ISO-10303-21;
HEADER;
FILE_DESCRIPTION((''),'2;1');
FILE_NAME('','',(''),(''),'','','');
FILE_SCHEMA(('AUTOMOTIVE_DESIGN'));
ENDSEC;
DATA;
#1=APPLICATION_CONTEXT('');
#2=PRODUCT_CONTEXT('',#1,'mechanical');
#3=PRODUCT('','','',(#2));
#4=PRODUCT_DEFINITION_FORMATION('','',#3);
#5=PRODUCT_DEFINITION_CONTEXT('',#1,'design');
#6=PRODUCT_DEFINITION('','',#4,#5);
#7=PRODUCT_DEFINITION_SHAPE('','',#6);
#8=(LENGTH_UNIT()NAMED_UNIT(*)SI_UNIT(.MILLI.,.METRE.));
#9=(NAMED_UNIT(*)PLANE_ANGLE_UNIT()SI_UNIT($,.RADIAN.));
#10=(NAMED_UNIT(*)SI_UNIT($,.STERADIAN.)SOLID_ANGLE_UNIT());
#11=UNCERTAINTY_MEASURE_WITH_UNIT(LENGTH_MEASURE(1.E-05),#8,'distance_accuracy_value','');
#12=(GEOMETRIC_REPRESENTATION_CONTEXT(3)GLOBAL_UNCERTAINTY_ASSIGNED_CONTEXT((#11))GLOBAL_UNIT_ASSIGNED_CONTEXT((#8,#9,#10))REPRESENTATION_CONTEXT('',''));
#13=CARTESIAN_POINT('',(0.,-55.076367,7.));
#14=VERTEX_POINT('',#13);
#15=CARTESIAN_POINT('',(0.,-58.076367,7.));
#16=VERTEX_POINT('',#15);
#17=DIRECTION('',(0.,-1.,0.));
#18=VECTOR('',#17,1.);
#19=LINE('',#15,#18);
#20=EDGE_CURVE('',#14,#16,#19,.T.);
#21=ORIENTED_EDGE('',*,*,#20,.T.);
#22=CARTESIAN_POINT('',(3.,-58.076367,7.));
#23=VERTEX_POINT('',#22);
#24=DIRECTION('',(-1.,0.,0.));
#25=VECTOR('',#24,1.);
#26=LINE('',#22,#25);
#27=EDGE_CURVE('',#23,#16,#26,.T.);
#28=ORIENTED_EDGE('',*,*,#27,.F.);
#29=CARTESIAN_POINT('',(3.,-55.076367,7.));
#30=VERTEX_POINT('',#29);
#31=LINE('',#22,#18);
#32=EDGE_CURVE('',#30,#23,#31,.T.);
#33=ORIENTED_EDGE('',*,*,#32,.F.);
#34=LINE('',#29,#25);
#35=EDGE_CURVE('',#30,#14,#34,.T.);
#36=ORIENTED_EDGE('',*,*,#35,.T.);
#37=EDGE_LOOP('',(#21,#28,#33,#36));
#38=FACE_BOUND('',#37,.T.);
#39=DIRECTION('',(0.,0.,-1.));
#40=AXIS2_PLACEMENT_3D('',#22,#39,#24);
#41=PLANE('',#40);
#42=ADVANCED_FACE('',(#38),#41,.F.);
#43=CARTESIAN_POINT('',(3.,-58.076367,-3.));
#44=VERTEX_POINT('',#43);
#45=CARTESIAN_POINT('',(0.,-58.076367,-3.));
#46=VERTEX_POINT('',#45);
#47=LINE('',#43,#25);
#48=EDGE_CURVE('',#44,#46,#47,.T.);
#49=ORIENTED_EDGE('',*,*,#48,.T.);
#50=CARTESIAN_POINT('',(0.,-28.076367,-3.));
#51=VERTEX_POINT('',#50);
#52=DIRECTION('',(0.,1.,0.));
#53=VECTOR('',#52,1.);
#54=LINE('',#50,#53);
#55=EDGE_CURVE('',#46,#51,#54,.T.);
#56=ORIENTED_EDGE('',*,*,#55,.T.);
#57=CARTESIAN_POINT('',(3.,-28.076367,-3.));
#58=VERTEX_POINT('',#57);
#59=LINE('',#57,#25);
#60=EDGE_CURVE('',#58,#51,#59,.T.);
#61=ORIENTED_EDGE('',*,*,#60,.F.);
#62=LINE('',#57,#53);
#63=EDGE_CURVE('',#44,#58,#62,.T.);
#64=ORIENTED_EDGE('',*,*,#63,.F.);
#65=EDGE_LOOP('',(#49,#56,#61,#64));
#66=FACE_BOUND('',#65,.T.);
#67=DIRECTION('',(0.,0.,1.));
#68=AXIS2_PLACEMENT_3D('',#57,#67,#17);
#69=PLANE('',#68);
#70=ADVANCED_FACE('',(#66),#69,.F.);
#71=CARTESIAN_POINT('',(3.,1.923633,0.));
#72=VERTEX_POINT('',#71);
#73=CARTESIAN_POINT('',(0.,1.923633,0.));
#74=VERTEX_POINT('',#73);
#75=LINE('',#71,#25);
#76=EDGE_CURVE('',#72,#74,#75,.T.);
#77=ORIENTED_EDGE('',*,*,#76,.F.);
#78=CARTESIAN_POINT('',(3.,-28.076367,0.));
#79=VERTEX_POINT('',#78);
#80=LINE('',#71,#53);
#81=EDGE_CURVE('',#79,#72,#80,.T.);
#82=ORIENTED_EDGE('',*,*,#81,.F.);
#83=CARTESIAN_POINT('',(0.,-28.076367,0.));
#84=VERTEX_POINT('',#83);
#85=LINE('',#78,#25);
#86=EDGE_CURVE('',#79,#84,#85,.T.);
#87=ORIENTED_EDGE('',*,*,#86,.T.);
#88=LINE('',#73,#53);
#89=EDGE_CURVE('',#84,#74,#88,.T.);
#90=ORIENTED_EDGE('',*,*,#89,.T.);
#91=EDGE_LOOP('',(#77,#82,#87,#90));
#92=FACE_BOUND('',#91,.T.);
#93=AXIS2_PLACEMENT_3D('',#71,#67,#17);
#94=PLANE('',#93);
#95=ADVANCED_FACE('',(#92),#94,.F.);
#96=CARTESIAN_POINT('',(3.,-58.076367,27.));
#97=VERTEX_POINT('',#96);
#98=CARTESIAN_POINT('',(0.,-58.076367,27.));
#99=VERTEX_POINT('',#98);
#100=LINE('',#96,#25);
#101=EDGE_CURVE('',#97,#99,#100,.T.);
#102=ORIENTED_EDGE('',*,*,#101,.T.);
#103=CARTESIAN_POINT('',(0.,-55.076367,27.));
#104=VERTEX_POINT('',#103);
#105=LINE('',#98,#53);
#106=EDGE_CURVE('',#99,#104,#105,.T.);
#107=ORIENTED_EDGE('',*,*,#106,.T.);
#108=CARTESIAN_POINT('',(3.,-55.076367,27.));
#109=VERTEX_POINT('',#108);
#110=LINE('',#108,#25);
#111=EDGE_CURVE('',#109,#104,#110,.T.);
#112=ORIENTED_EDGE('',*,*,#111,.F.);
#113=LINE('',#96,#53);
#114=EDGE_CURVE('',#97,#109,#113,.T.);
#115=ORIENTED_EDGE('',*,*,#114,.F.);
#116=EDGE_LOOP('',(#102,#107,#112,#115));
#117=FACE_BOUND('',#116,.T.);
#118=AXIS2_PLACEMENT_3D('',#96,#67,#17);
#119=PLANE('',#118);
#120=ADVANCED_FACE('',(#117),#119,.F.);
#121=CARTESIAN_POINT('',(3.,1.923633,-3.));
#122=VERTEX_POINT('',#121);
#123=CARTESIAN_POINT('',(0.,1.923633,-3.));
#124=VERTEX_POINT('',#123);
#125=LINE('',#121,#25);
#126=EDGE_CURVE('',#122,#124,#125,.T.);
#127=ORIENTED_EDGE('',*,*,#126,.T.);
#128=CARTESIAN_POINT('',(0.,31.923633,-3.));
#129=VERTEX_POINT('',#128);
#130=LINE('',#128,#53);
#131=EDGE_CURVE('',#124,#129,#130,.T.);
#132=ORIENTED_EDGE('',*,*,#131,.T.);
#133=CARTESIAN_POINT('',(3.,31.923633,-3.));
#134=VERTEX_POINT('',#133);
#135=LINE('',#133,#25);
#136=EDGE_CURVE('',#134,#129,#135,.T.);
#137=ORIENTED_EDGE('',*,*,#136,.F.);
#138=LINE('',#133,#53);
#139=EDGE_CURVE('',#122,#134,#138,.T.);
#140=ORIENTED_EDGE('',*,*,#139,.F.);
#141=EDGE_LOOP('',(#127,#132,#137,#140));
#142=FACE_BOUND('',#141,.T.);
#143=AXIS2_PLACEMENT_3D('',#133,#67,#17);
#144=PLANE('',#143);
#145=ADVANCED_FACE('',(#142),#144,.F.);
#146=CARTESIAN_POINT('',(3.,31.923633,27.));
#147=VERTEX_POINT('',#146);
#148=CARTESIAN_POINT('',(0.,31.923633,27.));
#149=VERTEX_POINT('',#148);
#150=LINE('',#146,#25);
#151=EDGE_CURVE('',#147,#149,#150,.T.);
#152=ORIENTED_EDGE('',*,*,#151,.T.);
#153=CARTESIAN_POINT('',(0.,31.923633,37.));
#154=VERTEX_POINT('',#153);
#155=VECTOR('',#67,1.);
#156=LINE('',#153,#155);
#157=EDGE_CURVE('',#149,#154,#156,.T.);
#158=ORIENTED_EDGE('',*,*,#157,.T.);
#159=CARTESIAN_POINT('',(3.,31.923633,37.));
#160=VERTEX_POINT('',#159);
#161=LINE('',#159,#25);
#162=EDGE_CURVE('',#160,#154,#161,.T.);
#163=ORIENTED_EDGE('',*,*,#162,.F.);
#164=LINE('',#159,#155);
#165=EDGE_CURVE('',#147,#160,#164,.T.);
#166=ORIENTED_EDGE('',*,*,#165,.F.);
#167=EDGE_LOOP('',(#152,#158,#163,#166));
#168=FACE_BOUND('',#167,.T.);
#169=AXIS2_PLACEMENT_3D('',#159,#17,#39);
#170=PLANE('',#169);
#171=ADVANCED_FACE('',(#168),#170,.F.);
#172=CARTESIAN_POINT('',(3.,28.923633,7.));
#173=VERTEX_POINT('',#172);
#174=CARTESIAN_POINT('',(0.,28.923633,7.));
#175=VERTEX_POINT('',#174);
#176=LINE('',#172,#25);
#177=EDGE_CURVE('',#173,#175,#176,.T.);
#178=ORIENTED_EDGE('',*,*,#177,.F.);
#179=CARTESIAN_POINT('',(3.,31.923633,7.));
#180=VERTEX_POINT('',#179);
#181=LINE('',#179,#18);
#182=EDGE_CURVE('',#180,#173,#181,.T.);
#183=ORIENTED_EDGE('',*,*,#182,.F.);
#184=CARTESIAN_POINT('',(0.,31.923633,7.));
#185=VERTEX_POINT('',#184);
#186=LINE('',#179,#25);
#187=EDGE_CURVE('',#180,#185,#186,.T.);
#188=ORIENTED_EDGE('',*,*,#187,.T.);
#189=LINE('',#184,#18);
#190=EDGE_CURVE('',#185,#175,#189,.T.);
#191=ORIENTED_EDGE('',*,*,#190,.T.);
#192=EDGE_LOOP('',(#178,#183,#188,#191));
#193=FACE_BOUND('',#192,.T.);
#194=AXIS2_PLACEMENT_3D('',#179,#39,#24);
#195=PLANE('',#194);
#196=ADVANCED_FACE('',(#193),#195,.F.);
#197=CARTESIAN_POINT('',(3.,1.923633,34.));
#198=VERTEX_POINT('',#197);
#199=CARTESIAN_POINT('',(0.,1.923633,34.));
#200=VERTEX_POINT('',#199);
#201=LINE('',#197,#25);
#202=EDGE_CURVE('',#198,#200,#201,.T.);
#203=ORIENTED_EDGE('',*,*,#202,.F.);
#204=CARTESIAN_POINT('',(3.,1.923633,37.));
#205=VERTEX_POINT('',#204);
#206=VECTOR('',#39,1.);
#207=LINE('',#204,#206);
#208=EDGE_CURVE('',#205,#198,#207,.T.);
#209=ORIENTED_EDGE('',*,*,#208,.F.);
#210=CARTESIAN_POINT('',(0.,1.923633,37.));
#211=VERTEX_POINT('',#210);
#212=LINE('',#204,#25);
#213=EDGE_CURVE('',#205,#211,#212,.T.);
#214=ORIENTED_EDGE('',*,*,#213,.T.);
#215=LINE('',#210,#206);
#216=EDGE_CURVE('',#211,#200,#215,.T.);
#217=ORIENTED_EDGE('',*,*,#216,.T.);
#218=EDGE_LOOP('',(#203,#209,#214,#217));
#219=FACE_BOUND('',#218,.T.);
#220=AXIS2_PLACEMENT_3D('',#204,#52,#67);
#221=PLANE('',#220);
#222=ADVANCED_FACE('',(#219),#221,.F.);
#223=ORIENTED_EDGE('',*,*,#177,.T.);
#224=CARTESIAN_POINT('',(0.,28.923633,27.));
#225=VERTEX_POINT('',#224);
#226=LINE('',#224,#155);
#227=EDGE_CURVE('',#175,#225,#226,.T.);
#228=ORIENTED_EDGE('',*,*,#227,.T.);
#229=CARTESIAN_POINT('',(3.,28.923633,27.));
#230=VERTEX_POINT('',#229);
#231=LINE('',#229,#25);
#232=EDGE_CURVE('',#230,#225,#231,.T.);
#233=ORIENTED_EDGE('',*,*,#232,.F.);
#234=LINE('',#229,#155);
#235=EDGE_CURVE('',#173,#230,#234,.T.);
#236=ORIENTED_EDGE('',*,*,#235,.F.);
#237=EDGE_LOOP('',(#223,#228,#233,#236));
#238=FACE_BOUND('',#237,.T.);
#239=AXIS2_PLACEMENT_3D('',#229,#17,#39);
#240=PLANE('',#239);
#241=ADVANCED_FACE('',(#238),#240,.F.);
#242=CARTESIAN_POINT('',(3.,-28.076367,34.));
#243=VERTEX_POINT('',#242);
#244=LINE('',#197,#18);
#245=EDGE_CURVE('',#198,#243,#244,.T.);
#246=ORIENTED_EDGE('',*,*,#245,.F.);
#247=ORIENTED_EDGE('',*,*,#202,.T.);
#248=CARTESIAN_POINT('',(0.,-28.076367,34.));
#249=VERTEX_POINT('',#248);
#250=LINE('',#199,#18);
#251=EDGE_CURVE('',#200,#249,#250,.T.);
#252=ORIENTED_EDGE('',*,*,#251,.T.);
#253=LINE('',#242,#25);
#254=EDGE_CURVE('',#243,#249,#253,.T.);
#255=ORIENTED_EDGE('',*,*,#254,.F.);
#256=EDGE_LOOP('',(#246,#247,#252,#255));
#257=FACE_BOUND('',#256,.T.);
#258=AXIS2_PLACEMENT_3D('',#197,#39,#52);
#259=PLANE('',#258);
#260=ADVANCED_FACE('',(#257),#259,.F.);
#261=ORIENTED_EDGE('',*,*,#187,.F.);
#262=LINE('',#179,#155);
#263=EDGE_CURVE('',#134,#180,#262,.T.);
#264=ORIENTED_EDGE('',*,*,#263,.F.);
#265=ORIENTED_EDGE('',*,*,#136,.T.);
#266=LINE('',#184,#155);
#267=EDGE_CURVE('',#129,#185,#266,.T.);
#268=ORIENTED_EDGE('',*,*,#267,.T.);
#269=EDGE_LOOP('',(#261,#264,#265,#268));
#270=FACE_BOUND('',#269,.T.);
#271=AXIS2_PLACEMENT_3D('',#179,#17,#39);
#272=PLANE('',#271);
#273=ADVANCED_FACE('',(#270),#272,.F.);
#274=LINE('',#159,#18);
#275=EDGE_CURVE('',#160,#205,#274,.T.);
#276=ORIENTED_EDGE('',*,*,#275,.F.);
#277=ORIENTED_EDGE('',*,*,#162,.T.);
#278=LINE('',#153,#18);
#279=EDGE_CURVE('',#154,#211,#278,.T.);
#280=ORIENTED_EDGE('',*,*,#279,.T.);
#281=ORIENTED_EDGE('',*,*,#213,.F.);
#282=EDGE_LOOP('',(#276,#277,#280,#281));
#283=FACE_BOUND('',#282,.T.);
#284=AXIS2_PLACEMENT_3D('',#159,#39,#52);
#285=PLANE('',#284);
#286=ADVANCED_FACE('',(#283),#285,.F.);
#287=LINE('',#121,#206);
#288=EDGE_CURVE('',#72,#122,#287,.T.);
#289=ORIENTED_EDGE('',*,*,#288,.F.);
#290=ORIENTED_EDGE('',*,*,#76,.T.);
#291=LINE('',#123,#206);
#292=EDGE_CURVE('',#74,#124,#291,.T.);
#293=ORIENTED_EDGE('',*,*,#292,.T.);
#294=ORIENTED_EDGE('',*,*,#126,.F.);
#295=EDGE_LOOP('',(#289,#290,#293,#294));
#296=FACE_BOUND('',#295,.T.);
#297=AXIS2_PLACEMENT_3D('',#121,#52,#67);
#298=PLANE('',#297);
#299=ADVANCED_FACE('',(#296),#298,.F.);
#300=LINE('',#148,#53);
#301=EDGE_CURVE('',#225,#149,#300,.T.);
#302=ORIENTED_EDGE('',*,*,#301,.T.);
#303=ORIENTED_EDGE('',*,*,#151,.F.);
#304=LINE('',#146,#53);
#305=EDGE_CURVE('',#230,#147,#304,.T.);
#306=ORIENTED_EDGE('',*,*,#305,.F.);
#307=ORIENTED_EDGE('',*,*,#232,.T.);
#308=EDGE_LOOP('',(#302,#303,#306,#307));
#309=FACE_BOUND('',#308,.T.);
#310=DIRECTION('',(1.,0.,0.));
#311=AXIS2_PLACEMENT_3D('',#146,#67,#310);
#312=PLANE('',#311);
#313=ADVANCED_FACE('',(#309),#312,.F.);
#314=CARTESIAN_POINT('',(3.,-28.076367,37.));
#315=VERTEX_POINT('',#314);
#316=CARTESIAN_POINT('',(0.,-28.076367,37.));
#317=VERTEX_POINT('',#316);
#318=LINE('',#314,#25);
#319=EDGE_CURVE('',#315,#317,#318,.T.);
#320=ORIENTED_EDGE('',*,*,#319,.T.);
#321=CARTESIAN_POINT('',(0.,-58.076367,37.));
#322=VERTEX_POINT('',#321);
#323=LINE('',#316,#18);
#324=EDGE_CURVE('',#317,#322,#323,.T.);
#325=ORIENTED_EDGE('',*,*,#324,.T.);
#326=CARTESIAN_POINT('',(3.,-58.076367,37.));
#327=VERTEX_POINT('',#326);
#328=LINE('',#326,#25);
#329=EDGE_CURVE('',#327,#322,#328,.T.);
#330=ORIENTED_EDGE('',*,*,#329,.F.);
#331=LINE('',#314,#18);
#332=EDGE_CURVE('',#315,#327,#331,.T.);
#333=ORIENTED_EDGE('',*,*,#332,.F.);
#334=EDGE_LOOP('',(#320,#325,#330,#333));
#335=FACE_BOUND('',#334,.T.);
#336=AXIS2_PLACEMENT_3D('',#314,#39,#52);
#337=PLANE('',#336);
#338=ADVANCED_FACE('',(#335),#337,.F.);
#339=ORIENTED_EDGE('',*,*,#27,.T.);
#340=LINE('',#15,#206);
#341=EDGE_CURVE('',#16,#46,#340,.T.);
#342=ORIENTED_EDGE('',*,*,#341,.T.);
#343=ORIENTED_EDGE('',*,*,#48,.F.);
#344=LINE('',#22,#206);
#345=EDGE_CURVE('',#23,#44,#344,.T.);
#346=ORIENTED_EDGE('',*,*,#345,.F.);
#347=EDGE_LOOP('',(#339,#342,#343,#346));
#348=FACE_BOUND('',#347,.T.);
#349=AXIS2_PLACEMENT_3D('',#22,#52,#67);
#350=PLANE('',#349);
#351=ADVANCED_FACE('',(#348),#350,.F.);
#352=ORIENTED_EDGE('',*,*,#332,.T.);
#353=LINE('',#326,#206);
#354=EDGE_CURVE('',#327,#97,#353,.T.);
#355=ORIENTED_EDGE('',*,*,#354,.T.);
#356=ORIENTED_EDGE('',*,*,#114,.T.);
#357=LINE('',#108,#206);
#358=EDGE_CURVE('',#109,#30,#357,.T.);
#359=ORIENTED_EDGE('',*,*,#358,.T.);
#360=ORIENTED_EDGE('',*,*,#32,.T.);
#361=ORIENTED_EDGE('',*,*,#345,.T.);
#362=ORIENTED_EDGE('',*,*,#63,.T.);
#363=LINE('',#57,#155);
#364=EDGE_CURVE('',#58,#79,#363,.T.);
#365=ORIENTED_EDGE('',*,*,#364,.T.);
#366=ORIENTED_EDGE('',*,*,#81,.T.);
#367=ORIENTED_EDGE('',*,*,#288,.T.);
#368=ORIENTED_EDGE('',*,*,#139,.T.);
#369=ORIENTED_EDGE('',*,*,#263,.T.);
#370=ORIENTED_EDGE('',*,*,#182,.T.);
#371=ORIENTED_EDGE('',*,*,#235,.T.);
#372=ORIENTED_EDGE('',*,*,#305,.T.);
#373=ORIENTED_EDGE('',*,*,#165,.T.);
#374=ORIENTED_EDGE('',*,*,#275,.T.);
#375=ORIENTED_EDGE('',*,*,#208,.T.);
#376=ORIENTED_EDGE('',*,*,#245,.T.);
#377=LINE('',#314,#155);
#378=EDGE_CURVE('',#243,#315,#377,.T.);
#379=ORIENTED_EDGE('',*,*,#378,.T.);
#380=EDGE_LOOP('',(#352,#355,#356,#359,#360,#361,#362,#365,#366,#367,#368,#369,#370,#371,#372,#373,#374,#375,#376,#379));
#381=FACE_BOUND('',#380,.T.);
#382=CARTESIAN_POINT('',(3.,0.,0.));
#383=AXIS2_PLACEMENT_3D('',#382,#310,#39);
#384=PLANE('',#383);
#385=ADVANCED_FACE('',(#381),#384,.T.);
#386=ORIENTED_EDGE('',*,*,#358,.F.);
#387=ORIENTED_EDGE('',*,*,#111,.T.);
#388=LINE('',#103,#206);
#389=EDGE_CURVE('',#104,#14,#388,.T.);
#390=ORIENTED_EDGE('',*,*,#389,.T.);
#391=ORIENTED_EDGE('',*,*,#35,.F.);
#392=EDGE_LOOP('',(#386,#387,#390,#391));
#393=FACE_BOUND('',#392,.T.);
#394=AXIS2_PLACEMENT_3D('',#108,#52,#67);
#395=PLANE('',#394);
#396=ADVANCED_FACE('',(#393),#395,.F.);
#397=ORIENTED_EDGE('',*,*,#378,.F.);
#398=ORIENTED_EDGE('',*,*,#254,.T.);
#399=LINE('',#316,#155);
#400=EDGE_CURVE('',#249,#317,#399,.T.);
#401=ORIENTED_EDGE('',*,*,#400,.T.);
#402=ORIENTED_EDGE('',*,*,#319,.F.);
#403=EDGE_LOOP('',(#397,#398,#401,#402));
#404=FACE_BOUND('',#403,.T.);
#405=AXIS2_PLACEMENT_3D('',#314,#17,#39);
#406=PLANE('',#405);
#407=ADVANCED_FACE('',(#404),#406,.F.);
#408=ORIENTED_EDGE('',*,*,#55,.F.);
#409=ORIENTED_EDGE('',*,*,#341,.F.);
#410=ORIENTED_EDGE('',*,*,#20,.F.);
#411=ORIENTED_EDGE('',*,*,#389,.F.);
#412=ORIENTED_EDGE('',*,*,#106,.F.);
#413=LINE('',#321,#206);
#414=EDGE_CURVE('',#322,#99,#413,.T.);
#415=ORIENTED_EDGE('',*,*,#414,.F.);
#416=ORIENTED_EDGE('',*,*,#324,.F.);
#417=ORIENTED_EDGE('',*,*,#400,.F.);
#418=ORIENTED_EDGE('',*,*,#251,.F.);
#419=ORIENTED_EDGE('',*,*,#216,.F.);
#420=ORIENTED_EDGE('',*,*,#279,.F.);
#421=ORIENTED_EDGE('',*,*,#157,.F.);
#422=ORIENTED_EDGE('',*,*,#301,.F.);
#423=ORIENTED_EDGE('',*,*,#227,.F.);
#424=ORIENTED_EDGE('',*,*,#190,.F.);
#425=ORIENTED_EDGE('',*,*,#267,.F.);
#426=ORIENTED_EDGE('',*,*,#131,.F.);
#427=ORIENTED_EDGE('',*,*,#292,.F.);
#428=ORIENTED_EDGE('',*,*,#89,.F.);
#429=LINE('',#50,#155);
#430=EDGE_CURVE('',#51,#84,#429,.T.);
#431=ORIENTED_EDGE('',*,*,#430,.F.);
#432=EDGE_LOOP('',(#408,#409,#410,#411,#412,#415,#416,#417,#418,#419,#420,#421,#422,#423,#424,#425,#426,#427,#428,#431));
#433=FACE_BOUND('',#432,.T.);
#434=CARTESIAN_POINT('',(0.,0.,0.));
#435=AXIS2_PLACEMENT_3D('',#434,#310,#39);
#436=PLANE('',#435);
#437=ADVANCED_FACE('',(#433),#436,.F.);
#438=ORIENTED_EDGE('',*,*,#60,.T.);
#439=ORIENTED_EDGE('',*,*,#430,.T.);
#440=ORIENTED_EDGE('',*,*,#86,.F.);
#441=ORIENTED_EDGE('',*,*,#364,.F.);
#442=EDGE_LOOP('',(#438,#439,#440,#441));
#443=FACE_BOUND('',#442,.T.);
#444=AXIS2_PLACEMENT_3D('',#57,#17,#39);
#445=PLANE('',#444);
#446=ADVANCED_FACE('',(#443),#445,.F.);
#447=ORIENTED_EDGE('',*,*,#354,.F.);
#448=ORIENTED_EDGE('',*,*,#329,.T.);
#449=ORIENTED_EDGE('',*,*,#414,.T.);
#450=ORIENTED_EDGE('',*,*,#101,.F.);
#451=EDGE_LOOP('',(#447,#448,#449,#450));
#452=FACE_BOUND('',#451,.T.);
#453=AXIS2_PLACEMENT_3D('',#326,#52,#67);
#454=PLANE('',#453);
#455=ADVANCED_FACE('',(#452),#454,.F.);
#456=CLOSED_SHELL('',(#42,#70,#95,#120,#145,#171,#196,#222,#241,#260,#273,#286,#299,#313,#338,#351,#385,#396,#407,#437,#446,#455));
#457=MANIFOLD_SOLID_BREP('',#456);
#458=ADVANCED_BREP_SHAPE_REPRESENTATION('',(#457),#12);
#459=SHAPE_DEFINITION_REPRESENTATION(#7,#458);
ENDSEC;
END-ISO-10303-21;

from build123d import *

# Parameters (mm, degrees)
BOSS_EXTRU_1_DEPTH = 3


with BuildPart() as part:
    # Esquisse1 → Boss.-Extru.1 (new body)
    with BuildSketch(Plane(origin=(0, 0, 0), x_dir=(0, 0, -1), z_dir=(1, 0, 0))):
        Polygon((-7, 31.923632763), (3, 31.923632763), (3, 1.923632763), (0, 1.923632763), (0, -28.076367237), (3, -28.076367237), (3, -58.076367237), (-7, -58.076367237), (-7, -55.076367237), (-27, -55.076367237), (-27, -58.076367237), (-37, -58.076367237), (-37, -28.076367237), (-34, -28.076367237), (-34, 1.923632763), (-37, 1.923632763), (-37, 31.923632763), (-27, 31.923632763), (-27, 28.923632763), (-7, 28.923632763), align=None)
    extrude(amount=BOSS_EXTRU_1_DEPTH)


solid = part.part
